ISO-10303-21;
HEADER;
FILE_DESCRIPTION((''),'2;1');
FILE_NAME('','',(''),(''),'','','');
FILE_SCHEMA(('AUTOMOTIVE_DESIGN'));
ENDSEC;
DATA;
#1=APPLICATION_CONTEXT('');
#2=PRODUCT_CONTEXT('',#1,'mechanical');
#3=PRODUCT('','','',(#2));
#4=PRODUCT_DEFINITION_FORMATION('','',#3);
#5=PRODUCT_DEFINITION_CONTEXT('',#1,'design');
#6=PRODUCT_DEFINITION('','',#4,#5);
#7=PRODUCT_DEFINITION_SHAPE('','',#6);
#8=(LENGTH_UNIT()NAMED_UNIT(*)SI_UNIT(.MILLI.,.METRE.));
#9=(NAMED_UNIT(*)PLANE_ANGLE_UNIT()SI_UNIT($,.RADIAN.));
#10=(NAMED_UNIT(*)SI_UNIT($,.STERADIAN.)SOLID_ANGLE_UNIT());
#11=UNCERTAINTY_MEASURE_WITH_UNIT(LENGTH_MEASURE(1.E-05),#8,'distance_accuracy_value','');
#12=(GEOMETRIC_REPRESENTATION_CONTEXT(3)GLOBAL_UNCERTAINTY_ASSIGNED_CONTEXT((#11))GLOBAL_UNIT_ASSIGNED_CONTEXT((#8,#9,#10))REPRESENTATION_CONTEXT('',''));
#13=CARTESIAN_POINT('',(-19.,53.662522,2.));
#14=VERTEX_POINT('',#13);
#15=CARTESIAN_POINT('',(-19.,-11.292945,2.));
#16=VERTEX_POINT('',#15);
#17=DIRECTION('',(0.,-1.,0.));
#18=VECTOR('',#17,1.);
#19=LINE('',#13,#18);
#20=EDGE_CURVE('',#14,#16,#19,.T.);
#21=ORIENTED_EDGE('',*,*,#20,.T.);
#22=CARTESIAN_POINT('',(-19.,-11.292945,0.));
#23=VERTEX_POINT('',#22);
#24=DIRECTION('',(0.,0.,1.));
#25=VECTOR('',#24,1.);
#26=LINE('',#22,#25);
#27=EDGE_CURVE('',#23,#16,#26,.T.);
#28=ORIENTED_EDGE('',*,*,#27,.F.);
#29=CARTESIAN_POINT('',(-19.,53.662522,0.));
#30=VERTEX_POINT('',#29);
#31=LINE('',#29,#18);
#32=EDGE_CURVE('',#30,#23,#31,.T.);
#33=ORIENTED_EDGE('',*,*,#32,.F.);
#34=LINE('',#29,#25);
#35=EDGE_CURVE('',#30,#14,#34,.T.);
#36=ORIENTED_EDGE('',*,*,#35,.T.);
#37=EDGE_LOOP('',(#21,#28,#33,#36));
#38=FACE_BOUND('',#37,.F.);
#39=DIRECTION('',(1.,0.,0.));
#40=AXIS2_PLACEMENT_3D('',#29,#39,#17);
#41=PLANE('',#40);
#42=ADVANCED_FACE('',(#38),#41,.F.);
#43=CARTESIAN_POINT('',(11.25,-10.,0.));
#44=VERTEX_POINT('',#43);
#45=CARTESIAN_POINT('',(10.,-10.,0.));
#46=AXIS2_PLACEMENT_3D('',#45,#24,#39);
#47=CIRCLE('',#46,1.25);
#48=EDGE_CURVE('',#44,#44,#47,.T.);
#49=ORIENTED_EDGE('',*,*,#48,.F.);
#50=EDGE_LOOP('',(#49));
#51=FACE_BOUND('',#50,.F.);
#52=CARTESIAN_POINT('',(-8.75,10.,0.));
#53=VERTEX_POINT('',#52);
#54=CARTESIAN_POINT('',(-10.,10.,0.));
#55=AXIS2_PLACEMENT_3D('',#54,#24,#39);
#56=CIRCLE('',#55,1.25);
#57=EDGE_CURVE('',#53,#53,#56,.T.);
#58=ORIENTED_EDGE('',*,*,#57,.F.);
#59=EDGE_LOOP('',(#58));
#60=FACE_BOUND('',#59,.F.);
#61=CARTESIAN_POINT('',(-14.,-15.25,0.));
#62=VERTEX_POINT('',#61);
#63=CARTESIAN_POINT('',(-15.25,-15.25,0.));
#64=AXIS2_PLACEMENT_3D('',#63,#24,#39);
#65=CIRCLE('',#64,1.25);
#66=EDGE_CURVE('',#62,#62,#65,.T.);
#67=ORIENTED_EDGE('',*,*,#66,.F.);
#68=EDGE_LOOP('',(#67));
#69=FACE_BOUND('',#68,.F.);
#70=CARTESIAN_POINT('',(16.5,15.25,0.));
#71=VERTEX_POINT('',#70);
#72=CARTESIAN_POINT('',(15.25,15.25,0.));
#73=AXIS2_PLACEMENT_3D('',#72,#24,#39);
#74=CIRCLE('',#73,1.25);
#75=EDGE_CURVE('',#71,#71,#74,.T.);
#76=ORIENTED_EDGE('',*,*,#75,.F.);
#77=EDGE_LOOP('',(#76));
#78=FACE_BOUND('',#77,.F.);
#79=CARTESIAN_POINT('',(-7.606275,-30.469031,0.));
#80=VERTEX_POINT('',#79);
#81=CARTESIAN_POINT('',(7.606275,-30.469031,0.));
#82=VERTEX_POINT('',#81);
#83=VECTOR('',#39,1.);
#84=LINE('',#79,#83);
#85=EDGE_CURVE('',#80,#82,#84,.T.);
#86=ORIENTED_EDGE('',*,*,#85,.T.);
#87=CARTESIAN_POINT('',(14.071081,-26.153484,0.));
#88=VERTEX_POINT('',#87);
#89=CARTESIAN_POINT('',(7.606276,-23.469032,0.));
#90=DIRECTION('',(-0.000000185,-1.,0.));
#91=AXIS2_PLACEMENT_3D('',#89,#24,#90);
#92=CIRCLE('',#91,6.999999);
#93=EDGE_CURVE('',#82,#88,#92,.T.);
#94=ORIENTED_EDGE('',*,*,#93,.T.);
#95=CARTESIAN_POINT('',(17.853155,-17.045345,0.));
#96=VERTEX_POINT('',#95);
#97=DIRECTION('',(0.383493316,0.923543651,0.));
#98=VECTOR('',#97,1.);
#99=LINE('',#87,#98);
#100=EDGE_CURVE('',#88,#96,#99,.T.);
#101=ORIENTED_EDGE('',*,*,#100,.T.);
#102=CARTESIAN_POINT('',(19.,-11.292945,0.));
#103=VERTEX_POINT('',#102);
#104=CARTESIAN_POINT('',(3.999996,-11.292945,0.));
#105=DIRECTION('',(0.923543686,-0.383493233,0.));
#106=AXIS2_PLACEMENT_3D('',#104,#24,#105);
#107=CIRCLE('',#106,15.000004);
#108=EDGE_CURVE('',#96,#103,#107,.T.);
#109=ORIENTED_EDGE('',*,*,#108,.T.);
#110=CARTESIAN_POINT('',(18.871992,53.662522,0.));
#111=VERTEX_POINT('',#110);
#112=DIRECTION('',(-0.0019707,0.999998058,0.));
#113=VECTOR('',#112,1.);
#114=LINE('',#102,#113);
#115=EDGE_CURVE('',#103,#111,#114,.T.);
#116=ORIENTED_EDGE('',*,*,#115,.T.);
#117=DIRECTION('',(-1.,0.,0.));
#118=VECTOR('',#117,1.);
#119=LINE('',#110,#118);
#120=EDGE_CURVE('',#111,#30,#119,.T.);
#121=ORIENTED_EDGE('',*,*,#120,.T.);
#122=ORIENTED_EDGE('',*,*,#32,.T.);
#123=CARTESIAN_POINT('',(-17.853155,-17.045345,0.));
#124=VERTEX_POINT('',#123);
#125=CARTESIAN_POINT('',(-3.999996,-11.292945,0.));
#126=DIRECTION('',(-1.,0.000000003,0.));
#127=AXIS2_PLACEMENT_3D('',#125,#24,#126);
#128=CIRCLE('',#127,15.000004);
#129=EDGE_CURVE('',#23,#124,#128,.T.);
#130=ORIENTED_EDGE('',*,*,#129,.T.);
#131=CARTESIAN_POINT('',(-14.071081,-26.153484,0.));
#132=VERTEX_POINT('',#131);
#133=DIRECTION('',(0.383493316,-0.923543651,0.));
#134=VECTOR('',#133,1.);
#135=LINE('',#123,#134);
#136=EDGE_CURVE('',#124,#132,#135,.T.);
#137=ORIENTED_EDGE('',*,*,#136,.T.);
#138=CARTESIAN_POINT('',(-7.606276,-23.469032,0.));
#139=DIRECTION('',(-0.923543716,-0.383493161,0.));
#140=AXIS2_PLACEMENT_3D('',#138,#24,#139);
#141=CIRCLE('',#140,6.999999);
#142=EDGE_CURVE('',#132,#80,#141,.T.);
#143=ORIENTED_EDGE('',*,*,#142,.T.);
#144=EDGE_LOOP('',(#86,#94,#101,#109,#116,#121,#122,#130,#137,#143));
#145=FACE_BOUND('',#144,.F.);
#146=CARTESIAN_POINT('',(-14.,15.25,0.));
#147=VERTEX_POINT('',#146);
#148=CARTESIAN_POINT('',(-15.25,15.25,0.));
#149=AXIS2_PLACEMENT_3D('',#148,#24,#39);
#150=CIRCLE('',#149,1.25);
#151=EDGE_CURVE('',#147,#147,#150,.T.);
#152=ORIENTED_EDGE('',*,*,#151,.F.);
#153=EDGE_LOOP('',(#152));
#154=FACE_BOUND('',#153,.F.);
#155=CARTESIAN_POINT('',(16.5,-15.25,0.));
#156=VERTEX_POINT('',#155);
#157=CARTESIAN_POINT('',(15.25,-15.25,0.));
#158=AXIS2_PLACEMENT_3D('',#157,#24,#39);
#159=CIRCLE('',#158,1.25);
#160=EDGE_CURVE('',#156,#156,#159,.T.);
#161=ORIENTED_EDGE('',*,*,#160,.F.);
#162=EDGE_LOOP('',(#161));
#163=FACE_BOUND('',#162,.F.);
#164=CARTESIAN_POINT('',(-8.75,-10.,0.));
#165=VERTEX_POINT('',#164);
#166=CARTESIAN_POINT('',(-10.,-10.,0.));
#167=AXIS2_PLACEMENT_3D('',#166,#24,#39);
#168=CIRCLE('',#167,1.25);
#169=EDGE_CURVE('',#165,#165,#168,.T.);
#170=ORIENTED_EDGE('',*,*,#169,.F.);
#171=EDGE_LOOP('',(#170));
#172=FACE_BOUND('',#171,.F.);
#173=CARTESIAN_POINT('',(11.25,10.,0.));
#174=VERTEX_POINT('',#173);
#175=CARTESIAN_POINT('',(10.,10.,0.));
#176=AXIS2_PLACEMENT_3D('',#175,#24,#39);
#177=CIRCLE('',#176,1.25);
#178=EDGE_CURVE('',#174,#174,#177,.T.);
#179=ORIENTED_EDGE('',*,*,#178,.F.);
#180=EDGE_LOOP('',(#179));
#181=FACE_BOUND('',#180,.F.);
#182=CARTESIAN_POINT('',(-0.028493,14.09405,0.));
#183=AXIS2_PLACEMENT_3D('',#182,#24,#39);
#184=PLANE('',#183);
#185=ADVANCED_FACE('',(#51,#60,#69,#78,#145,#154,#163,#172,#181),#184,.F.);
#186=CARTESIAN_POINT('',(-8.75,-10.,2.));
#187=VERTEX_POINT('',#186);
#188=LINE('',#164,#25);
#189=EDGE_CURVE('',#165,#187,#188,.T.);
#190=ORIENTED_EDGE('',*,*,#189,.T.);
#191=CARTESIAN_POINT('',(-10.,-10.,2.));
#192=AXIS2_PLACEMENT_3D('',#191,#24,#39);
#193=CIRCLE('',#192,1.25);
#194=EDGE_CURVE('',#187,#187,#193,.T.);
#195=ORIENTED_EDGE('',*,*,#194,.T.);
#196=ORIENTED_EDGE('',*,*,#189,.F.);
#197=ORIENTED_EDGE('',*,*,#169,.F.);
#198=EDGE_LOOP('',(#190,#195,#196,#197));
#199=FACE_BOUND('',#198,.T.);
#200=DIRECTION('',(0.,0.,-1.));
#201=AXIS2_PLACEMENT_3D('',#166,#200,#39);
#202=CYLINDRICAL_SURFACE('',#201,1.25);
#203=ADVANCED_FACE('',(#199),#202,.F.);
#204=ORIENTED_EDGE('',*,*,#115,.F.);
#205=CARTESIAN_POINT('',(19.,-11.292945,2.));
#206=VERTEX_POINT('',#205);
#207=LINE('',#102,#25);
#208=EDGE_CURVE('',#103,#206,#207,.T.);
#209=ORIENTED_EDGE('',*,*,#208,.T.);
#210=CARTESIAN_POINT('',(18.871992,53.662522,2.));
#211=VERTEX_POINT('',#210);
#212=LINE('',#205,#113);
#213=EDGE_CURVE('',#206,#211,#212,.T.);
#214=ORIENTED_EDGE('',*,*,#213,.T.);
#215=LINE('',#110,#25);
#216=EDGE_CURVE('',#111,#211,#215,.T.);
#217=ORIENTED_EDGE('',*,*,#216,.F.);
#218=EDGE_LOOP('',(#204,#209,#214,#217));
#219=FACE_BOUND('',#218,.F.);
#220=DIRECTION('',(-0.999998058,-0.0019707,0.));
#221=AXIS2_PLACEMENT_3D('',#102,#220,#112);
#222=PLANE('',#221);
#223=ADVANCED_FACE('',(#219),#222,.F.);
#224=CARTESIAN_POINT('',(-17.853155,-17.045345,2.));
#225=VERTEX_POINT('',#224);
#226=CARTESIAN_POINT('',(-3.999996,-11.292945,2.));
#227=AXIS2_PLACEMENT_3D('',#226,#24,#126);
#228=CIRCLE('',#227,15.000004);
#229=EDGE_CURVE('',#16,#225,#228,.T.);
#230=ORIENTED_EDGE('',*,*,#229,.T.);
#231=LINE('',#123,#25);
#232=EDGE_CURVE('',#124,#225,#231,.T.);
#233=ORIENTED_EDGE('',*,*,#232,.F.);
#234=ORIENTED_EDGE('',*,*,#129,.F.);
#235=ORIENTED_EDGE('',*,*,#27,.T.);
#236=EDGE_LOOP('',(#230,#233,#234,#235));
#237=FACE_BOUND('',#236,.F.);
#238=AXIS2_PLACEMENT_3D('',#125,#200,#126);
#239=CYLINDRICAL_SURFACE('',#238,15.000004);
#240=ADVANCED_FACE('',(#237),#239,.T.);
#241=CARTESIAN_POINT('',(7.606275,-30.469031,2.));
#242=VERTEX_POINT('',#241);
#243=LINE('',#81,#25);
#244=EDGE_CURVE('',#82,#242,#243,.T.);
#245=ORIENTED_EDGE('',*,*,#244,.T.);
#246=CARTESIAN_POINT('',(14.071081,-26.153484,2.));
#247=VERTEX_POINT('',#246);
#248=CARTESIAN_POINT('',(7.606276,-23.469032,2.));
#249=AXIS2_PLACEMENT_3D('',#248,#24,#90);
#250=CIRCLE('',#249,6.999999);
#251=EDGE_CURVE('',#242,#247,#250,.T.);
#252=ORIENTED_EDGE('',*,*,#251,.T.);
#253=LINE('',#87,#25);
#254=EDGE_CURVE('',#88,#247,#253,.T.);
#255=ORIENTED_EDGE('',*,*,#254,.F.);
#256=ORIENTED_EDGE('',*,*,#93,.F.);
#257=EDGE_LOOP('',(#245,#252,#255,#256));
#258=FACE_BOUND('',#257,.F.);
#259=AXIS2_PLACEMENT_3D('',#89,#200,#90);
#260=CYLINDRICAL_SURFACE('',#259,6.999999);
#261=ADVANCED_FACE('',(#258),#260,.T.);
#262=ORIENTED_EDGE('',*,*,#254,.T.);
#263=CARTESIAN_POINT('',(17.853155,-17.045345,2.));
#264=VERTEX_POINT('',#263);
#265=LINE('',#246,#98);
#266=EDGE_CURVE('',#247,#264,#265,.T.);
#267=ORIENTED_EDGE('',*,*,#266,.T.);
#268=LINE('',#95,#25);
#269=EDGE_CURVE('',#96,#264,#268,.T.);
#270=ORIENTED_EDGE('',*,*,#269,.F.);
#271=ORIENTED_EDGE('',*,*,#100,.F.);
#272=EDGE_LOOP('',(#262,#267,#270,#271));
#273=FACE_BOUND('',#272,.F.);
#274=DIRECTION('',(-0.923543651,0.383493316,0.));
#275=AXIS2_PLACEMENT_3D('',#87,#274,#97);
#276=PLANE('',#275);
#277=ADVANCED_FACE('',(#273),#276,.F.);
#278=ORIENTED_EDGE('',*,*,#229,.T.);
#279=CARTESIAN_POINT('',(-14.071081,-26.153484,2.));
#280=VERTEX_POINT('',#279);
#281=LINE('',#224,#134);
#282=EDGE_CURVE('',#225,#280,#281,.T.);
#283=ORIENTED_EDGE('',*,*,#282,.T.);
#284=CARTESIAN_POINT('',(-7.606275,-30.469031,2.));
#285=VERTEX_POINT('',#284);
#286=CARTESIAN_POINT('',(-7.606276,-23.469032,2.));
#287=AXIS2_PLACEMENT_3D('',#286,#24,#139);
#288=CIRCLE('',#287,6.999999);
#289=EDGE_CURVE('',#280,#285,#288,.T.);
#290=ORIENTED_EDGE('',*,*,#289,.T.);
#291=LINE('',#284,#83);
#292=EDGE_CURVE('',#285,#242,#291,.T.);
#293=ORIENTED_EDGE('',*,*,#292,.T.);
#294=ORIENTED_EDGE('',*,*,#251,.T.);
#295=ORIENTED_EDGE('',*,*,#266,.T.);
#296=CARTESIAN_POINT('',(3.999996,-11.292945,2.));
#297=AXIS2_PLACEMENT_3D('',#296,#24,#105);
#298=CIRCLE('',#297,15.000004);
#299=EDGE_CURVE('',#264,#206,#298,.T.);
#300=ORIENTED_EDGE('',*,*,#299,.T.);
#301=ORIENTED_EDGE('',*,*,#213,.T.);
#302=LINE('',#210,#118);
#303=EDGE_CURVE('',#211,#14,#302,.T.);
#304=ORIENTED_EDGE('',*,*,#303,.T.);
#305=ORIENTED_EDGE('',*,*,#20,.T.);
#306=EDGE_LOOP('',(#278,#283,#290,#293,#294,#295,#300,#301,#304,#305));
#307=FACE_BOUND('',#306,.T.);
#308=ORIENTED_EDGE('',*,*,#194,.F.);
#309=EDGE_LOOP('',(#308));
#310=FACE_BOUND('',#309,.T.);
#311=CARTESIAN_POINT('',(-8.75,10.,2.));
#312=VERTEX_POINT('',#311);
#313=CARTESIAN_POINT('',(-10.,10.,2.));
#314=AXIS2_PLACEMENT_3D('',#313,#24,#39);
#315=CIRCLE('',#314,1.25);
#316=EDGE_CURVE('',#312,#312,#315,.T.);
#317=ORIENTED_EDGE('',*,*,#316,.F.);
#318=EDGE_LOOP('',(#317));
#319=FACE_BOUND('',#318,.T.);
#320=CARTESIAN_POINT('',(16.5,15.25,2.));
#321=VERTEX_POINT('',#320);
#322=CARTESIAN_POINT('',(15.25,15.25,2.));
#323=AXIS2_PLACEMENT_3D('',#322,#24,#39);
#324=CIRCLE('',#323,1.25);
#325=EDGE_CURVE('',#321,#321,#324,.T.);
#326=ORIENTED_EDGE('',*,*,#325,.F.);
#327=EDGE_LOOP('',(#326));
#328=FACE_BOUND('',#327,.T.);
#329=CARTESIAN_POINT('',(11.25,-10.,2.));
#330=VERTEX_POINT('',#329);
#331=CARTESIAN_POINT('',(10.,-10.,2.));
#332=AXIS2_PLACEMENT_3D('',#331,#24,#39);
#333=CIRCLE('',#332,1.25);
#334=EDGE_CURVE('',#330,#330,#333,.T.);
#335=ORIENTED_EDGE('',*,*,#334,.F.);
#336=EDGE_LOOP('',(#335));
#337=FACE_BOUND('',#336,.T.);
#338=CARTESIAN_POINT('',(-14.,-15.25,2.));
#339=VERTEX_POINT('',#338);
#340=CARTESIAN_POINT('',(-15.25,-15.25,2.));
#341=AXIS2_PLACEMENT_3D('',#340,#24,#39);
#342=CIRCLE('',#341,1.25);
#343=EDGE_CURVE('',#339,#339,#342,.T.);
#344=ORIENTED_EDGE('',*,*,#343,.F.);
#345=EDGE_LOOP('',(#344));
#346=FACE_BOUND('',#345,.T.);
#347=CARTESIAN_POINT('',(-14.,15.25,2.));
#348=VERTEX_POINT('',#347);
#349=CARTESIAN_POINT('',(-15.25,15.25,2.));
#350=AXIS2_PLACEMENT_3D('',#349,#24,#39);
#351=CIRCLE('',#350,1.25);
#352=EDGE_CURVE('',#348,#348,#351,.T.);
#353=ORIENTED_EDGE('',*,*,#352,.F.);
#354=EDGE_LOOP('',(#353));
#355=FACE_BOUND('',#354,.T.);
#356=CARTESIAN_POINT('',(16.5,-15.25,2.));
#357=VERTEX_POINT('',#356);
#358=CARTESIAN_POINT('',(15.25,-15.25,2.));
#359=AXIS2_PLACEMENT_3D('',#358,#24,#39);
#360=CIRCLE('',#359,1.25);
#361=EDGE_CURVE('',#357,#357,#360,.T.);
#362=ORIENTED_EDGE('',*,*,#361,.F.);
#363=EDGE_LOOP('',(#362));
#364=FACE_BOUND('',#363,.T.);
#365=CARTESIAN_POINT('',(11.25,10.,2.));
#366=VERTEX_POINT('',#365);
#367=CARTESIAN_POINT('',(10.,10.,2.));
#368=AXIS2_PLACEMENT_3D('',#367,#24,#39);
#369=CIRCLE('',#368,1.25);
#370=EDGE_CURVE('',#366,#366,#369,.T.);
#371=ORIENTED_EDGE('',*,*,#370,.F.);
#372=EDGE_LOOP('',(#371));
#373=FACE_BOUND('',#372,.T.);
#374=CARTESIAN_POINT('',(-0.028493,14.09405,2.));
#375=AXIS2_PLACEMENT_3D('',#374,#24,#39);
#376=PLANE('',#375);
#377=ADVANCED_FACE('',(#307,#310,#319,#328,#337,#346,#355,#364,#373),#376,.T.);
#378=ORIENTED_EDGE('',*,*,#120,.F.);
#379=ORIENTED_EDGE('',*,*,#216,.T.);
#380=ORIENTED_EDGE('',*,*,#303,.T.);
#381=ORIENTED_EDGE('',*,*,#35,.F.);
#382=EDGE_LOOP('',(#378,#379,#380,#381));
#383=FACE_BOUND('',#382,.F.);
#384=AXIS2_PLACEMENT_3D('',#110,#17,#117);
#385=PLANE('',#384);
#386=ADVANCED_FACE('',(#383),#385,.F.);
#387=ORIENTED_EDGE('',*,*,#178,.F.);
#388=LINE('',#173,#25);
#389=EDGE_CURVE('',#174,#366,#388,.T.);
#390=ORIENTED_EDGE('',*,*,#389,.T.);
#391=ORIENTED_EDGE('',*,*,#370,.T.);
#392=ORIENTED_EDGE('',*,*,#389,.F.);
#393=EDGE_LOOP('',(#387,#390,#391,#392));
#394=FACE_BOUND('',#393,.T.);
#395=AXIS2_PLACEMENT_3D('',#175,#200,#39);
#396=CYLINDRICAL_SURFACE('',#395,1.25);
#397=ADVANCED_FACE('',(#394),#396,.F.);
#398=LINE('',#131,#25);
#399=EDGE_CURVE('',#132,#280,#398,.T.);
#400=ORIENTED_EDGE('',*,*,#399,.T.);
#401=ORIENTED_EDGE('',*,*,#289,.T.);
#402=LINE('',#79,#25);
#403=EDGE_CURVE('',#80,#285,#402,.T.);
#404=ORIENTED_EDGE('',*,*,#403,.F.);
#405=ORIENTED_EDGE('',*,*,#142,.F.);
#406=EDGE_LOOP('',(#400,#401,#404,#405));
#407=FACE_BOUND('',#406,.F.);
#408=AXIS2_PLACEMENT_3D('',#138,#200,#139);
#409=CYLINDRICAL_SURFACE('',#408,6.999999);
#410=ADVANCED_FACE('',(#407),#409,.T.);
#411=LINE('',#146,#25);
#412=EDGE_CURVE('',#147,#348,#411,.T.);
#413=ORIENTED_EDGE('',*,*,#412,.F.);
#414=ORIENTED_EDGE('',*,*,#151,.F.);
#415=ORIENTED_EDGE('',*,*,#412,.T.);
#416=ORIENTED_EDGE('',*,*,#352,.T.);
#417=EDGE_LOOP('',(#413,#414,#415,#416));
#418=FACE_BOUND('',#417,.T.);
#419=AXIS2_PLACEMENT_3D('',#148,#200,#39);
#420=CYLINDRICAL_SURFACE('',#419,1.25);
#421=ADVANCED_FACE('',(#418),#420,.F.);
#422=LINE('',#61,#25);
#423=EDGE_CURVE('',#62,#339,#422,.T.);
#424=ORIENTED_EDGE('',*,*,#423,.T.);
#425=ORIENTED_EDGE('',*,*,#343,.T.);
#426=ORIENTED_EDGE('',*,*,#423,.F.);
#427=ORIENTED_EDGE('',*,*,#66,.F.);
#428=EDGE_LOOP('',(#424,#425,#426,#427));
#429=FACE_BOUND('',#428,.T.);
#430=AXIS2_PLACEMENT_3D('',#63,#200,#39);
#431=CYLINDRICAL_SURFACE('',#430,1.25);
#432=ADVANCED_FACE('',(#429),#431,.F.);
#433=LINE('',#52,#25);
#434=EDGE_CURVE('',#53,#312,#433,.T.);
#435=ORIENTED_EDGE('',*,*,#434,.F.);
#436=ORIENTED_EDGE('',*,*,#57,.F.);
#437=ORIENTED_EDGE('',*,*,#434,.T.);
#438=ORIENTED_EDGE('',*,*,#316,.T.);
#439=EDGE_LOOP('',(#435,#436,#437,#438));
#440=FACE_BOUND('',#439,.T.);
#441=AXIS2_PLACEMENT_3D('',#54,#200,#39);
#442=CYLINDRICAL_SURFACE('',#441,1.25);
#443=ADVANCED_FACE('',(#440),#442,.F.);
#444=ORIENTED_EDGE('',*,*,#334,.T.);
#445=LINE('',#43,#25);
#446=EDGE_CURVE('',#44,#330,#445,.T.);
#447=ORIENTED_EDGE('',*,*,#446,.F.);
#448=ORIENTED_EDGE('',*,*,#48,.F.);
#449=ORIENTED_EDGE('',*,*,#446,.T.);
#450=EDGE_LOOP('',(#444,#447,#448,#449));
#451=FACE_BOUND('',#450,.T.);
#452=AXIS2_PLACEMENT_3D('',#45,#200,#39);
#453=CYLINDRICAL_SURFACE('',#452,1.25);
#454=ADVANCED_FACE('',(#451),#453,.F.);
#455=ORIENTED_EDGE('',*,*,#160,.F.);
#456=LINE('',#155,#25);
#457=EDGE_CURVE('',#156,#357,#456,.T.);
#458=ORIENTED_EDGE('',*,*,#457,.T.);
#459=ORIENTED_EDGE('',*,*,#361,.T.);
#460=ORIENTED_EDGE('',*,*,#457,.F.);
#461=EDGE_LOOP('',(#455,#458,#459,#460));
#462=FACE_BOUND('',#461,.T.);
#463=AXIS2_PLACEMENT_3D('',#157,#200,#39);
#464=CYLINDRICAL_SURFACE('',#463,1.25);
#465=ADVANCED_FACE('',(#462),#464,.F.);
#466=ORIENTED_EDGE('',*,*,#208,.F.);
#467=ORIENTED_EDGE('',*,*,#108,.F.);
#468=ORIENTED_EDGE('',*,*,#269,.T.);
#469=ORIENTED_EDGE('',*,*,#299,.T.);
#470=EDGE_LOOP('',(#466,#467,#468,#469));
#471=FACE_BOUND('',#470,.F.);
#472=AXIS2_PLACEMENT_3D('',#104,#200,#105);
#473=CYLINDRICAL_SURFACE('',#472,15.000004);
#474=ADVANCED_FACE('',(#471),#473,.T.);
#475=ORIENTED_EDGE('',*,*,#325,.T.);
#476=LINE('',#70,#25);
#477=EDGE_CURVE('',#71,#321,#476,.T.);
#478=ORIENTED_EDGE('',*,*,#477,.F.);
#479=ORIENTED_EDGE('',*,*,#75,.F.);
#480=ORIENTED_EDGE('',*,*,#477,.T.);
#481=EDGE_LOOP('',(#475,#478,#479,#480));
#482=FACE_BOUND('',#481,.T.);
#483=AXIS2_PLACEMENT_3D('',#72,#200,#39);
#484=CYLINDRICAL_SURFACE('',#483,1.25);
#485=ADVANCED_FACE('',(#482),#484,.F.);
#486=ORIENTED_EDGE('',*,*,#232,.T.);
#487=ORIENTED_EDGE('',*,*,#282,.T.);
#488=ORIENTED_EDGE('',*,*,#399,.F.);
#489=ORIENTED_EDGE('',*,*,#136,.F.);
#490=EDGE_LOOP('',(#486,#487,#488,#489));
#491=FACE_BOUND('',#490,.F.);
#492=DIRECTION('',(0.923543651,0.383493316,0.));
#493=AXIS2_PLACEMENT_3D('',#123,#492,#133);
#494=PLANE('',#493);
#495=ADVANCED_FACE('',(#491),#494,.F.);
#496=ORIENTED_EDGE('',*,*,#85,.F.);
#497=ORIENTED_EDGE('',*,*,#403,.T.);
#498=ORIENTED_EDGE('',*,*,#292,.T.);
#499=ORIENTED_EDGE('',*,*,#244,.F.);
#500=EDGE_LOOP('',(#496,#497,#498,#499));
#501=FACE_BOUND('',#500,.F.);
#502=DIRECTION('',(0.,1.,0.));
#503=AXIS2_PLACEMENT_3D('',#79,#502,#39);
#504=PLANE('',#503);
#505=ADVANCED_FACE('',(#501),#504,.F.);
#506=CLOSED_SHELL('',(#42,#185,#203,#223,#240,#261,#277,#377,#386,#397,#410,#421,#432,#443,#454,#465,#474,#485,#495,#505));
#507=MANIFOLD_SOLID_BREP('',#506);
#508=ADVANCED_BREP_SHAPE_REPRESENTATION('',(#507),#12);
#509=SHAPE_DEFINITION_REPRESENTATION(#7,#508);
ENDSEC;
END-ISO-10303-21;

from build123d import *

# Parameters (mm, degrees)
F0_R     = 1.25
F1_DEPTH = 2


with BuildPart() as f1:
    # F0 (on Top) → F1 (new body)
    with BuildSketch(Plane.XY):
        with BuildLine():
            Line((18.871992, 53.662522), (-19, 53.662522))
            Line((-19, 53.662522), (-19, -11.292945))
            ThreePointArc((-19, -11.292945), (-18.710495, -14.225749), (-17.853155, -17.045345))
            Line((-17.853155, -17.045345), (-14.071081, -26.153484))
            ThreePointArc((-14.071081, -26.153484), (-11.492715, -29.291023), (-7.606275, -30.469031))
            Line((-7.606275, -30.469031), (7.606275, -30.469031))
            ThreePointArc((7.606275, -30.469031), (11.492715, -29.291023), (14.071081, -26.153484))
            Line((14.071081, -26.153484), (17.853155, -17.045345))
            ThreePointArc((17.853155, -17.045345), (18.710495, -14.225749), (19, -11.292945))
            Line((19, -11.292945), (18.871992, 53.662522))
        make_face()
        with Locations((-15.25, -15.25)):
            Circle(F0_R, mode=Mode.SUBTRACT)
        with Locations((-10, -10)):
            Circle(F0_R, mode=Mode.SUBTRACT)
        with Locations((-10, 10)):
            Circle(F0_R, mode=Mode.SUBTRACT)
        with Locations((10, -10)):
            Circle(F0_R, mode=Mode.SUBTRACT)
        with Locations((15.25, -15.25)):
            Circle(F0_R, mode=Mode.SUBTRACT)
        with Locations((10, 10)):
            Circle(F0_R, mode=Mode.SUBTRACT)
        with Locations((-15.25, 15.25)):
            Circle(F0_R, mode=Mode.SUBTRACT)
        with Locations((15.25, 15.25)):
            Circle(F0_R, mode=Mode.SUBTRACT)
    extrude(amount=F1_DEPTH)


solid = f1.part
